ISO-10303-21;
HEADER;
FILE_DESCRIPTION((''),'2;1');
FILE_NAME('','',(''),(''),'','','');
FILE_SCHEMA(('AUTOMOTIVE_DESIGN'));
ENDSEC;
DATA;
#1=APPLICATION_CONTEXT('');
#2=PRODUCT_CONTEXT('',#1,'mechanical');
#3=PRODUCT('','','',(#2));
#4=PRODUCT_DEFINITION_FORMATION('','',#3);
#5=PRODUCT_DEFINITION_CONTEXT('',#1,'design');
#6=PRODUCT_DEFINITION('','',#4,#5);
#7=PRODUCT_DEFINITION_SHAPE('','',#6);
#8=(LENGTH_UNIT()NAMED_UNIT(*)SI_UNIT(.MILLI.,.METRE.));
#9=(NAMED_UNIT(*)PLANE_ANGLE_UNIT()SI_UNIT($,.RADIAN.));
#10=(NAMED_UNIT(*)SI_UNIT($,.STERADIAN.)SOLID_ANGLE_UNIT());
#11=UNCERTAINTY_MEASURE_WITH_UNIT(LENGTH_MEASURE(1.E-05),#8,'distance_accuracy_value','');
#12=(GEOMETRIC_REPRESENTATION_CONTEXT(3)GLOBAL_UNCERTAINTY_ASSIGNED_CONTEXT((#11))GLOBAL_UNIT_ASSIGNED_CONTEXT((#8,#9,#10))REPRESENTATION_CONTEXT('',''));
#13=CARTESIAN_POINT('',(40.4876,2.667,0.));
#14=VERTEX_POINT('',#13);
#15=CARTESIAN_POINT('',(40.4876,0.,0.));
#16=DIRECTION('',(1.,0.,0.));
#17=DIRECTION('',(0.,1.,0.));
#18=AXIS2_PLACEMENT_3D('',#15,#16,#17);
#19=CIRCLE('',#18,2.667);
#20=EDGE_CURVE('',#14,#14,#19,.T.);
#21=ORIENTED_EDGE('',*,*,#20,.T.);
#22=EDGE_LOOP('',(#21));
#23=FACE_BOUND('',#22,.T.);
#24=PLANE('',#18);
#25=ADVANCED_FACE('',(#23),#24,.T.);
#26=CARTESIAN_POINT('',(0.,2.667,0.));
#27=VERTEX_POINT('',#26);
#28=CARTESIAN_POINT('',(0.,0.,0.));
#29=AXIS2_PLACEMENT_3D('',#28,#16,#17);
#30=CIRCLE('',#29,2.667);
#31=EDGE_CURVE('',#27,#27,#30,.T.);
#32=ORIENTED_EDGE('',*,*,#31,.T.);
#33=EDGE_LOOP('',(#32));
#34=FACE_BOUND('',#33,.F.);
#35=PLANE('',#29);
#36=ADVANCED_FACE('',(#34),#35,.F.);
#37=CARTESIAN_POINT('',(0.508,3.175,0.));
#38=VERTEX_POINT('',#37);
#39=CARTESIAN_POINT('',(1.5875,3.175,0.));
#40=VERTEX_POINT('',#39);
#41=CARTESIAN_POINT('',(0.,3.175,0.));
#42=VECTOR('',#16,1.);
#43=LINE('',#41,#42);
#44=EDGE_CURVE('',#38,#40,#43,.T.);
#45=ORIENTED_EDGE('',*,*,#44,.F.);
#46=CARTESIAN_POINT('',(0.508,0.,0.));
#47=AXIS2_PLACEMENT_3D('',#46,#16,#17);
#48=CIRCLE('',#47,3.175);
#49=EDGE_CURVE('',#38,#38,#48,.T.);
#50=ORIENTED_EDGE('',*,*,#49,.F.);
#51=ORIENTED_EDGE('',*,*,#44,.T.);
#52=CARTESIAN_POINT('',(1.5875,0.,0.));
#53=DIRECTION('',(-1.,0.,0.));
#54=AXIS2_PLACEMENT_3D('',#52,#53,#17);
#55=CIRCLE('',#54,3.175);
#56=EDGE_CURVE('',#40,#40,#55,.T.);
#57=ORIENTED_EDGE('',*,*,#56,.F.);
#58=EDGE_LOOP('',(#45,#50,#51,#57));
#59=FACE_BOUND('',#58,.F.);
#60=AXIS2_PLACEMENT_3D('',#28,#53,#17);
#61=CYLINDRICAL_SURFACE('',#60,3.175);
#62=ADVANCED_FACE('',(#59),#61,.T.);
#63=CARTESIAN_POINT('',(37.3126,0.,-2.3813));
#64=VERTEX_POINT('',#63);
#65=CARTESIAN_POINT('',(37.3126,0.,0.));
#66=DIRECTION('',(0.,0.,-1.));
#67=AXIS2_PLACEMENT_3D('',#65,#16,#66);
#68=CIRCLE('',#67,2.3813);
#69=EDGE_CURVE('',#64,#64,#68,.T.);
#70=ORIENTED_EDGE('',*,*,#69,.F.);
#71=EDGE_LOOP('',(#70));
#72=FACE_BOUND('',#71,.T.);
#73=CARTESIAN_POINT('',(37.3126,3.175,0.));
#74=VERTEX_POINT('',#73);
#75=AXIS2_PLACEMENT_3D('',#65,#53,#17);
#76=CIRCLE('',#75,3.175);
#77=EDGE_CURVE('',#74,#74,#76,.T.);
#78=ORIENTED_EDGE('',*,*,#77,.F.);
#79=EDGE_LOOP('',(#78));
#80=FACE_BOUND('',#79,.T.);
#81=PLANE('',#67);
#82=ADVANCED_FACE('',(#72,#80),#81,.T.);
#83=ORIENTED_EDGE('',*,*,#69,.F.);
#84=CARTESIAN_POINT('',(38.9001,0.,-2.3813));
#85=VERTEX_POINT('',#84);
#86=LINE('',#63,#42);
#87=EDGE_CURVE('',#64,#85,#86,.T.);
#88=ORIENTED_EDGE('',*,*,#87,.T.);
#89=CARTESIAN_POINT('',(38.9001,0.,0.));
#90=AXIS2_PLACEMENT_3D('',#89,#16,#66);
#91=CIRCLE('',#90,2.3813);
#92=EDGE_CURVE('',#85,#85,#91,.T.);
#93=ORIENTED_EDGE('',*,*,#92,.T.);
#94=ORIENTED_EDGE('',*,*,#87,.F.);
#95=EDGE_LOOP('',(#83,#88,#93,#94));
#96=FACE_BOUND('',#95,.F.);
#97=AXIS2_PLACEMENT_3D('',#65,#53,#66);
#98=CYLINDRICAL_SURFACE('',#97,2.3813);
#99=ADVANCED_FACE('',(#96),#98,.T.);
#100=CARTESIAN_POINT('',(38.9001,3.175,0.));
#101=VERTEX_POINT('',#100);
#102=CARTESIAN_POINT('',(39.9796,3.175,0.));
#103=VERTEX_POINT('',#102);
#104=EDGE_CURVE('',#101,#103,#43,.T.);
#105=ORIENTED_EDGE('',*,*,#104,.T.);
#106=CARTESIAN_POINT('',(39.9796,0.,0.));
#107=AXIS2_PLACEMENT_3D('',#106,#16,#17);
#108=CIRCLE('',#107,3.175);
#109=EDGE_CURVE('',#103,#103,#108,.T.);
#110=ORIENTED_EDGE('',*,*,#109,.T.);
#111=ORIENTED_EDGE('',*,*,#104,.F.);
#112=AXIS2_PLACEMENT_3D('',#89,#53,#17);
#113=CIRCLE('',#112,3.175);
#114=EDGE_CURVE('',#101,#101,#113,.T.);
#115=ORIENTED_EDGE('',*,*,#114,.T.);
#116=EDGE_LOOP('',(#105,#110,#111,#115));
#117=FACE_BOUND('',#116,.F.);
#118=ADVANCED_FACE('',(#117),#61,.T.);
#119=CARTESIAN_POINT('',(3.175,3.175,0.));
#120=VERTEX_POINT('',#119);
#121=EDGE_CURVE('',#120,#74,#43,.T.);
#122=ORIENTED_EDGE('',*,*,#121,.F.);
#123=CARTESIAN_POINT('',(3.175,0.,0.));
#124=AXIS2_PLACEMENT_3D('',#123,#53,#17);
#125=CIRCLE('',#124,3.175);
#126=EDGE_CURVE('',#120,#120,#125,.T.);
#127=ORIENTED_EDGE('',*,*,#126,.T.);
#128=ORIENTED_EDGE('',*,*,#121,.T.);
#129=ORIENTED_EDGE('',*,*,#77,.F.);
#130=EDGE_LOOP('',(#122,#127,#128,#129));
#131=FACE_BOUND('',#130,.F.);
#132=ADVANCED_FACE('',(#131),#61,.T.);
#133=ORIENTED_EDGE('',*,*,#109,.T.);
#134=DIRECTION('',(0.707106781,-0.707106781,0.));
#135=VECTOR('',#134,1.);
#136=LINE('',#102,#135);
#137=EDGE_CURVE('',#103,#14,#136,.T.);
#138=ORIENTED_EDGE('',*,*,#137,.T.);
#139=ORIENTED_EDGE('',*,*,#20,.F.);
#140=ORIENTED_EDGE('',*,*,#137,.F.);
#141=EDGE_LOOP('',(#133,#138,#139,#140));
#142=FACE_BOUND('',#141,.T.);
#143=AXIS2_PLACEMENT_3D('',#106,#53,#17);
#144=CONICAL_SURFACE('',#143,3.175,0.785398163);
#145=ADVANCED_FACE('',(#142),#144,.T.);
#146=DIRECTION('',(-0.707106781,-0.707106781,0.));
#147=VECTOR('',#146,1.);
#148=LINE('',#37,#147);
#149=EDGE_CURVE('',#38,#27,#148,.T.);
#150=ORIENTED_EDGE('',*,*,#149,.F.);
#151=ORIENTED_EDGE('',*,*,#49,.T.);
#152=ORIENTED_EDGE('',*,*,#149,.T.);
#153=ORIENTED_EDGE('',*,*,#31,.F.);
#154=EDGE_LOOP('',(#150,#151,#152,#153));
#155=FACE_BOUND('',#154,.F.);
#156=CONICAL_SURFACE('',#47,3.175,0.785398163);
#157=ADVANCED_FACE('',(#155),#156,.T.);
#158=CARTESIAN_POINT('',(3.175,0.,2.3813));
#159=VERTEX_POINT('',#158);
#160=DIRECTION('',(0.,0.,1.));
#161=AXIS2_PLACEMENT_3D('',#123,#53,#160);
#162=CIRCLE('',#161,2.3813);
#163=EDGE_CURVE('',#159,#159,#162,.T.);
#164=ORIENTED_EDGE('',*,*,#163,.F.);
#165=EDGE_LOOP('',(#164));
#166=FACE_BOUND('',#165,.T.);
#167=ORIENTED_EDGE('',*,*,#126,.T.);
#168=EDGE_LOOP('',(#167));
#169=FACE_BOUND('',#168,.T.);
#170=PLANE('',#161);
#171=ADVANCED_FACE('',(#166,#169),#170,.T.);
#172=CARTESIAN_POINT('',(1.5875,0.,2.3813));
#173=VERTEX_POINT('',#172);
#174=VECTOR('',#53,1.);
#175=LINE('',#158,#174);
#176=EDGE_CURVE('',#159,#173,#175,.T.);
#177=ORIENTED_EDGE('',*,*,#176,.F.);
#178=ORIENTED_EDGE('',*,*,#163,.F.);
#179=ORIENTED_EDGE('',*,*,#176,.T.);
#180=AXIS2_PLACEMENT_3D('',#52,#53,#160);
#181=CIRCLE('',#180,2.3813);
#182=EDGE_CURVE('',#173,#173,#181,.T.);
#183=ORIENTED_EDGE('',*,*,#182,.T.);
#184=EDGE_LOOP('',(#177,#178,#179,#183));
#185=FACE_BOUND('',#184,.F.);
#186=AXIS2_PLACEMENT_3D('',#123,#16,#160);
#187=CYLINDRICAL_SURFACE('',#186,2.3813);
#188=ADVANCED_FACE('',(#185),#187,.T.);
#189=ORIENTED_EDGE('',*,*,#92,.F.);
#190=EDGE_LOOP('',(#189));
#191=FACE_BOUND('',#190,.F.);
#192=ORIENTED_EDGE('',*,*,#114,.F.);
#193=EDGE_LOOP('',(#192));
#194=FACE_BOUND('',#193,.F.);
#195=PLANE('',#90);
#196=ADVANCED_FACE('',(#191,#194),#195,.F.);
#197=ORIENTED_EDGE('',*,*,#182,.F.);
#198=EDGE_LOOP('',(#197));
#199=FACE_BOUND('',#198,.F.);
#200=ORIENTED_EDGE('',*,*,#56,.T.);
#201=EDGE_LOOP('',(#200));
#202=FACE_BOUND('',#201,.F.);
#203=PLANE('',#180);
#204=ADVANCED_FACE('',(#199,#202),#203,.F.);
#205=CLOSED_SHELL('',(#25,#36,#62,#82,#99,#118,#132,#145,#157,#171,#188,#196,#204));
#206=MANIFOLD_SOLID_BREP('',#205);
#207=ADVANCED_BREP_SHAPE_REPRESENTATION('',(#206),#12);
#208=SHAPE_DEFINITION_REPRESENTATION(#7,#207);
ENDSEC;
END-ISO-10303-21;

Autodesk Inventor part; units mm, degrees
ref_plane "YZ Plane" through (0, 0, 0) normal (1, 0, 0) x (0, 1, 0)
sketch "Sketch1" plane through (0, 0, 0) normal (1, 0, 0) x (0, 1, 0)
  circle A0 centre (0, 0) radius 3.175
  dimension "d0" = 6.35
extrude "Extrusion1" add sketch "Sketch1" along normal blind 40.4876
chamfer "Chamfer1" distance 0.508 angle 45 2 edges at (40.4876, -3.175, 0) (0, -3.175, 0)
ref_plane "Work Plane1" through (37.3126, 0, 0) normal (1, 0, 0) x (0, 0, -1)
sketch "Sketch2" plane through (37.3126, 0, 0) normal (1, 0, 0) x (0, 0, -1)
  circle A0 centre (0, 0) radius 2.3813
  circle A1 centre (0, 0) radius 3.175
  dimension "d7" = 4.7625
extrude "Extrusion2" cut sketch "Sketch2" along normal blind 1.5875
ref_plane "Work Plane2" through (3.175, 0, 0) normal (-1, 0, 0) x (0, 0, 1)
sketch "Sketch3" plane through (3.175, 0, 0) normal (-1, 0, 0) x (0, 0, 1)
  circle A0 centre (0, 0) radius 2.3813
  circle A1 centre (0, 0) radius 3.175
  dimension "d11" = 4.7625
extrude "Extrusion3" cut sketch "Sketch3" along normal blind 1.5875
properties part number "handle pivot pin"
